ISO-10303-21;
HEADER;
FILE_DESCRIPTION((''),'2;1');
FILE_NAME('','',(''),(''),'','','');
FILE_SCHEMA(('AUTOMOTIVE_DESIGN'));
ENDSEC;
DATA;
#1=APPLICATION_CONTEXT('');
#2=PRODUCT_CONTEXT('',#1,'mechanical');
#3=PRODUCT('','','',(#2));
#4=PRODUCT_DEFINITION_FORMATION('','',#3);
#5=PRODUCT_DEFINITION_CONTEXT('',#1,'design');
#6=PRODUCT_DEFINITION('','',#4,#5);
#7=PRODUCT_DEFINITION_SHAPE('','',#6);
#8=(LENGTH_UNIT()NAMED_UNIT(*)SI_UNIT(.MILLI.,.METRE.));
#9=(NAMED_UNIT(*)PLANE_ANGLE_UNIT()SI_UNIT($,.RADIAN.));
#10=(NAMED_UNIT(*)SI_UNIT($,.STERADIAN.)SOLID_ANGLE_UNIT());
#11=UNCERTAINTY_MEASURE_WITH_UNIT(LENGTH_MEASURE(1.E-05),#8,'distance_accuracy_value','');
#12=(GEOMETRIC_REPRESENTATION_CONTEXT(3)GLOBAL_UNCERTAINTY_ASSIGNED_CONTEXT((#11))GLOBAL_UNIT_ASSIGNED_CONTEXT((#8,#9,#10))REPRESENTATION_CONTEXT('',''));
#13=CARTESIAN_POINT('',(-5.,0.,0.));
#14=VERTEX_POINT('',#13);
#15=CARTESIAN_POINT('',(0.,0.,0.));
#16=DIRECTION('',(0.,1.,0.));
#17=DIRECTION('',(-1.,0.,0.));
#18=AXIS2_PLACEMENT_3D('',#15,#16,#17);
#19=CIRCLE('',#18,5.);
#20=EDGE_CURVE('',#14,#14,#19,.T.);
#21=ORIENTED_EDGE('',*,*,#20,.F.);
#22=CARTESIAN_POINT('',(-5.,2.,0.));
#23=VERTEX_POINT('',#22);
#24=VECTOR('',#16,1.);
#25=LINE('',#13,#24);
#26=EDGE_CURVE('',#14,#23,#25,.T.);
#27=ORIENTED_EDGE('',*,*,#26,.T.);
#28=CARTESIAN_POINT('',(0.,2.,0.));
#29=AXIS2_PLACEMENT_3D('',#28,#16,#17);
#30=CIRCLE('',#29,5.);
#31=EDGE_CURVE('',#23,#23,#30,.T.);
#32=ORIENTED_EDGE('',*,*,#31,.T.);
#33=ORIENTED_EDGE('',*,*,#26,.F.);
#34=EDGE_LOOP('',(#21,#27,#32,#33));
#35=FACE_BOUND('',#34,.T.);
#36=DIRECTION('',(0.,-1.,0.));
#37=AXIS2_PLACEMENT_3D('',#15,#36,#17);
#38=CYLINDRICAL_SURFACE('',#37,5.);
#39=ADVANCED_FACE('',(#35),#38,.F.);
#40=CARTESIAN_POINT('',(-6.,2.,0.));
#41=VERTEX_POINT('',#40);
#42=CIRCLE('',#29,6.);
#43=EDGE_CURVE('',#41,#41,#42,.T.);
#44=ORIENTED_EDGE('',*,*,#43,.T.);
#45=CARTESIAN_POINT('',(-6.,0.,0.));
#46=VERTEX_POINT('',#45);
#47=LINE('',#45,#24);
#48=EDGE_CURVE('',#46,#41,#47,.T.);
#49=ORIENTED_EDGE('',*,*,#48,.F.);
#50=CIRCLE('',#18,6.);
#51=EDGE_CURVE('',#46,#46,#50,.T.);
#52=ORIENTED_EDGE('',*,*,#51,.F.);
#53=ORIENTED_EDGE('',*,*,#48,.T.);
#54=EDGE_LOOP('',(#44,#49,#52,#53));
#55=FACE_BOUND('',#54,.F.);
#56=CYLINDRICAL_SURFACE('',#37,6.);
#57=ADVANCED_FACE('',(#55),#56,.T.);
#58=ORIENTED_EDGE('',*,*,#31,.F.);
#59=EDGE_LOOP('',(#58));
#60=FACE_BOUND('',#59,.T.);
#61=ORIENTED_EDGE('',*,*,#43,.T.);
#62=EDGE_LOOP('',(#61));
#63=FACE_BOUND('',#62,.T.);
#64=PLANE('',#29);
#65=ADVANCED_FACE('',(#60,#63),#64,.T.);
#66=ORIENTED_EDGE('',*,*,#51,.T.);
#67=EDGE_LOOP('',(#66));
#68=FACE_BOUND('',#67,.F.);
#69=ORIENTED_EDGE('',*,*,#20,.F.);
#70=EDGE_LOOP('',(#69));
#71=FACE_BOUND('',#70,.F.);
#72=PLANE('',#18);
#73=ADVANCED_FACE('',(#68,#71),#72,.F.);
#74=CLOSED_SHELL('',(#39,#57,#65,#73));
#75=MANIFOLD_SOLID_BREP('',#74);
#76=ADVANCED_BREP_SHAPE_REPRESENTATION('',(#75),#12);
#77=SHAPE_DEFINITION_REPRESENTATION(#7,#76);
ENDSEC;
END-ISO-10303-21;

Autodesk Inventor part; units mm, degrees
ref_plane "YZ Plane" through (0, 0, 0) normal (1, 0, 0) x (0, 1, 0)
ref_plane "XZ Plane" through (0, 0, 0) normal (0, 1, 0) x (-1, 0, 0)
ref_plane "XY Plane" through (0, 0, 0) normal (0, 0, 1) x (1, 0, 0)
sketch "Skizze1" plane through (0, 0, 0) normal (0, 1, 0) x (-1, 0, 0)
  circle A0 centre (0, 0) radius 5
  circle A1 centre (0, 0) radius 6
  dimension "d0" = 10
  dimension "d1" = 12
extrude "Extrusion1" add sketch "Skizze1" along normal blind 2
properties part number "Abstandsring"
